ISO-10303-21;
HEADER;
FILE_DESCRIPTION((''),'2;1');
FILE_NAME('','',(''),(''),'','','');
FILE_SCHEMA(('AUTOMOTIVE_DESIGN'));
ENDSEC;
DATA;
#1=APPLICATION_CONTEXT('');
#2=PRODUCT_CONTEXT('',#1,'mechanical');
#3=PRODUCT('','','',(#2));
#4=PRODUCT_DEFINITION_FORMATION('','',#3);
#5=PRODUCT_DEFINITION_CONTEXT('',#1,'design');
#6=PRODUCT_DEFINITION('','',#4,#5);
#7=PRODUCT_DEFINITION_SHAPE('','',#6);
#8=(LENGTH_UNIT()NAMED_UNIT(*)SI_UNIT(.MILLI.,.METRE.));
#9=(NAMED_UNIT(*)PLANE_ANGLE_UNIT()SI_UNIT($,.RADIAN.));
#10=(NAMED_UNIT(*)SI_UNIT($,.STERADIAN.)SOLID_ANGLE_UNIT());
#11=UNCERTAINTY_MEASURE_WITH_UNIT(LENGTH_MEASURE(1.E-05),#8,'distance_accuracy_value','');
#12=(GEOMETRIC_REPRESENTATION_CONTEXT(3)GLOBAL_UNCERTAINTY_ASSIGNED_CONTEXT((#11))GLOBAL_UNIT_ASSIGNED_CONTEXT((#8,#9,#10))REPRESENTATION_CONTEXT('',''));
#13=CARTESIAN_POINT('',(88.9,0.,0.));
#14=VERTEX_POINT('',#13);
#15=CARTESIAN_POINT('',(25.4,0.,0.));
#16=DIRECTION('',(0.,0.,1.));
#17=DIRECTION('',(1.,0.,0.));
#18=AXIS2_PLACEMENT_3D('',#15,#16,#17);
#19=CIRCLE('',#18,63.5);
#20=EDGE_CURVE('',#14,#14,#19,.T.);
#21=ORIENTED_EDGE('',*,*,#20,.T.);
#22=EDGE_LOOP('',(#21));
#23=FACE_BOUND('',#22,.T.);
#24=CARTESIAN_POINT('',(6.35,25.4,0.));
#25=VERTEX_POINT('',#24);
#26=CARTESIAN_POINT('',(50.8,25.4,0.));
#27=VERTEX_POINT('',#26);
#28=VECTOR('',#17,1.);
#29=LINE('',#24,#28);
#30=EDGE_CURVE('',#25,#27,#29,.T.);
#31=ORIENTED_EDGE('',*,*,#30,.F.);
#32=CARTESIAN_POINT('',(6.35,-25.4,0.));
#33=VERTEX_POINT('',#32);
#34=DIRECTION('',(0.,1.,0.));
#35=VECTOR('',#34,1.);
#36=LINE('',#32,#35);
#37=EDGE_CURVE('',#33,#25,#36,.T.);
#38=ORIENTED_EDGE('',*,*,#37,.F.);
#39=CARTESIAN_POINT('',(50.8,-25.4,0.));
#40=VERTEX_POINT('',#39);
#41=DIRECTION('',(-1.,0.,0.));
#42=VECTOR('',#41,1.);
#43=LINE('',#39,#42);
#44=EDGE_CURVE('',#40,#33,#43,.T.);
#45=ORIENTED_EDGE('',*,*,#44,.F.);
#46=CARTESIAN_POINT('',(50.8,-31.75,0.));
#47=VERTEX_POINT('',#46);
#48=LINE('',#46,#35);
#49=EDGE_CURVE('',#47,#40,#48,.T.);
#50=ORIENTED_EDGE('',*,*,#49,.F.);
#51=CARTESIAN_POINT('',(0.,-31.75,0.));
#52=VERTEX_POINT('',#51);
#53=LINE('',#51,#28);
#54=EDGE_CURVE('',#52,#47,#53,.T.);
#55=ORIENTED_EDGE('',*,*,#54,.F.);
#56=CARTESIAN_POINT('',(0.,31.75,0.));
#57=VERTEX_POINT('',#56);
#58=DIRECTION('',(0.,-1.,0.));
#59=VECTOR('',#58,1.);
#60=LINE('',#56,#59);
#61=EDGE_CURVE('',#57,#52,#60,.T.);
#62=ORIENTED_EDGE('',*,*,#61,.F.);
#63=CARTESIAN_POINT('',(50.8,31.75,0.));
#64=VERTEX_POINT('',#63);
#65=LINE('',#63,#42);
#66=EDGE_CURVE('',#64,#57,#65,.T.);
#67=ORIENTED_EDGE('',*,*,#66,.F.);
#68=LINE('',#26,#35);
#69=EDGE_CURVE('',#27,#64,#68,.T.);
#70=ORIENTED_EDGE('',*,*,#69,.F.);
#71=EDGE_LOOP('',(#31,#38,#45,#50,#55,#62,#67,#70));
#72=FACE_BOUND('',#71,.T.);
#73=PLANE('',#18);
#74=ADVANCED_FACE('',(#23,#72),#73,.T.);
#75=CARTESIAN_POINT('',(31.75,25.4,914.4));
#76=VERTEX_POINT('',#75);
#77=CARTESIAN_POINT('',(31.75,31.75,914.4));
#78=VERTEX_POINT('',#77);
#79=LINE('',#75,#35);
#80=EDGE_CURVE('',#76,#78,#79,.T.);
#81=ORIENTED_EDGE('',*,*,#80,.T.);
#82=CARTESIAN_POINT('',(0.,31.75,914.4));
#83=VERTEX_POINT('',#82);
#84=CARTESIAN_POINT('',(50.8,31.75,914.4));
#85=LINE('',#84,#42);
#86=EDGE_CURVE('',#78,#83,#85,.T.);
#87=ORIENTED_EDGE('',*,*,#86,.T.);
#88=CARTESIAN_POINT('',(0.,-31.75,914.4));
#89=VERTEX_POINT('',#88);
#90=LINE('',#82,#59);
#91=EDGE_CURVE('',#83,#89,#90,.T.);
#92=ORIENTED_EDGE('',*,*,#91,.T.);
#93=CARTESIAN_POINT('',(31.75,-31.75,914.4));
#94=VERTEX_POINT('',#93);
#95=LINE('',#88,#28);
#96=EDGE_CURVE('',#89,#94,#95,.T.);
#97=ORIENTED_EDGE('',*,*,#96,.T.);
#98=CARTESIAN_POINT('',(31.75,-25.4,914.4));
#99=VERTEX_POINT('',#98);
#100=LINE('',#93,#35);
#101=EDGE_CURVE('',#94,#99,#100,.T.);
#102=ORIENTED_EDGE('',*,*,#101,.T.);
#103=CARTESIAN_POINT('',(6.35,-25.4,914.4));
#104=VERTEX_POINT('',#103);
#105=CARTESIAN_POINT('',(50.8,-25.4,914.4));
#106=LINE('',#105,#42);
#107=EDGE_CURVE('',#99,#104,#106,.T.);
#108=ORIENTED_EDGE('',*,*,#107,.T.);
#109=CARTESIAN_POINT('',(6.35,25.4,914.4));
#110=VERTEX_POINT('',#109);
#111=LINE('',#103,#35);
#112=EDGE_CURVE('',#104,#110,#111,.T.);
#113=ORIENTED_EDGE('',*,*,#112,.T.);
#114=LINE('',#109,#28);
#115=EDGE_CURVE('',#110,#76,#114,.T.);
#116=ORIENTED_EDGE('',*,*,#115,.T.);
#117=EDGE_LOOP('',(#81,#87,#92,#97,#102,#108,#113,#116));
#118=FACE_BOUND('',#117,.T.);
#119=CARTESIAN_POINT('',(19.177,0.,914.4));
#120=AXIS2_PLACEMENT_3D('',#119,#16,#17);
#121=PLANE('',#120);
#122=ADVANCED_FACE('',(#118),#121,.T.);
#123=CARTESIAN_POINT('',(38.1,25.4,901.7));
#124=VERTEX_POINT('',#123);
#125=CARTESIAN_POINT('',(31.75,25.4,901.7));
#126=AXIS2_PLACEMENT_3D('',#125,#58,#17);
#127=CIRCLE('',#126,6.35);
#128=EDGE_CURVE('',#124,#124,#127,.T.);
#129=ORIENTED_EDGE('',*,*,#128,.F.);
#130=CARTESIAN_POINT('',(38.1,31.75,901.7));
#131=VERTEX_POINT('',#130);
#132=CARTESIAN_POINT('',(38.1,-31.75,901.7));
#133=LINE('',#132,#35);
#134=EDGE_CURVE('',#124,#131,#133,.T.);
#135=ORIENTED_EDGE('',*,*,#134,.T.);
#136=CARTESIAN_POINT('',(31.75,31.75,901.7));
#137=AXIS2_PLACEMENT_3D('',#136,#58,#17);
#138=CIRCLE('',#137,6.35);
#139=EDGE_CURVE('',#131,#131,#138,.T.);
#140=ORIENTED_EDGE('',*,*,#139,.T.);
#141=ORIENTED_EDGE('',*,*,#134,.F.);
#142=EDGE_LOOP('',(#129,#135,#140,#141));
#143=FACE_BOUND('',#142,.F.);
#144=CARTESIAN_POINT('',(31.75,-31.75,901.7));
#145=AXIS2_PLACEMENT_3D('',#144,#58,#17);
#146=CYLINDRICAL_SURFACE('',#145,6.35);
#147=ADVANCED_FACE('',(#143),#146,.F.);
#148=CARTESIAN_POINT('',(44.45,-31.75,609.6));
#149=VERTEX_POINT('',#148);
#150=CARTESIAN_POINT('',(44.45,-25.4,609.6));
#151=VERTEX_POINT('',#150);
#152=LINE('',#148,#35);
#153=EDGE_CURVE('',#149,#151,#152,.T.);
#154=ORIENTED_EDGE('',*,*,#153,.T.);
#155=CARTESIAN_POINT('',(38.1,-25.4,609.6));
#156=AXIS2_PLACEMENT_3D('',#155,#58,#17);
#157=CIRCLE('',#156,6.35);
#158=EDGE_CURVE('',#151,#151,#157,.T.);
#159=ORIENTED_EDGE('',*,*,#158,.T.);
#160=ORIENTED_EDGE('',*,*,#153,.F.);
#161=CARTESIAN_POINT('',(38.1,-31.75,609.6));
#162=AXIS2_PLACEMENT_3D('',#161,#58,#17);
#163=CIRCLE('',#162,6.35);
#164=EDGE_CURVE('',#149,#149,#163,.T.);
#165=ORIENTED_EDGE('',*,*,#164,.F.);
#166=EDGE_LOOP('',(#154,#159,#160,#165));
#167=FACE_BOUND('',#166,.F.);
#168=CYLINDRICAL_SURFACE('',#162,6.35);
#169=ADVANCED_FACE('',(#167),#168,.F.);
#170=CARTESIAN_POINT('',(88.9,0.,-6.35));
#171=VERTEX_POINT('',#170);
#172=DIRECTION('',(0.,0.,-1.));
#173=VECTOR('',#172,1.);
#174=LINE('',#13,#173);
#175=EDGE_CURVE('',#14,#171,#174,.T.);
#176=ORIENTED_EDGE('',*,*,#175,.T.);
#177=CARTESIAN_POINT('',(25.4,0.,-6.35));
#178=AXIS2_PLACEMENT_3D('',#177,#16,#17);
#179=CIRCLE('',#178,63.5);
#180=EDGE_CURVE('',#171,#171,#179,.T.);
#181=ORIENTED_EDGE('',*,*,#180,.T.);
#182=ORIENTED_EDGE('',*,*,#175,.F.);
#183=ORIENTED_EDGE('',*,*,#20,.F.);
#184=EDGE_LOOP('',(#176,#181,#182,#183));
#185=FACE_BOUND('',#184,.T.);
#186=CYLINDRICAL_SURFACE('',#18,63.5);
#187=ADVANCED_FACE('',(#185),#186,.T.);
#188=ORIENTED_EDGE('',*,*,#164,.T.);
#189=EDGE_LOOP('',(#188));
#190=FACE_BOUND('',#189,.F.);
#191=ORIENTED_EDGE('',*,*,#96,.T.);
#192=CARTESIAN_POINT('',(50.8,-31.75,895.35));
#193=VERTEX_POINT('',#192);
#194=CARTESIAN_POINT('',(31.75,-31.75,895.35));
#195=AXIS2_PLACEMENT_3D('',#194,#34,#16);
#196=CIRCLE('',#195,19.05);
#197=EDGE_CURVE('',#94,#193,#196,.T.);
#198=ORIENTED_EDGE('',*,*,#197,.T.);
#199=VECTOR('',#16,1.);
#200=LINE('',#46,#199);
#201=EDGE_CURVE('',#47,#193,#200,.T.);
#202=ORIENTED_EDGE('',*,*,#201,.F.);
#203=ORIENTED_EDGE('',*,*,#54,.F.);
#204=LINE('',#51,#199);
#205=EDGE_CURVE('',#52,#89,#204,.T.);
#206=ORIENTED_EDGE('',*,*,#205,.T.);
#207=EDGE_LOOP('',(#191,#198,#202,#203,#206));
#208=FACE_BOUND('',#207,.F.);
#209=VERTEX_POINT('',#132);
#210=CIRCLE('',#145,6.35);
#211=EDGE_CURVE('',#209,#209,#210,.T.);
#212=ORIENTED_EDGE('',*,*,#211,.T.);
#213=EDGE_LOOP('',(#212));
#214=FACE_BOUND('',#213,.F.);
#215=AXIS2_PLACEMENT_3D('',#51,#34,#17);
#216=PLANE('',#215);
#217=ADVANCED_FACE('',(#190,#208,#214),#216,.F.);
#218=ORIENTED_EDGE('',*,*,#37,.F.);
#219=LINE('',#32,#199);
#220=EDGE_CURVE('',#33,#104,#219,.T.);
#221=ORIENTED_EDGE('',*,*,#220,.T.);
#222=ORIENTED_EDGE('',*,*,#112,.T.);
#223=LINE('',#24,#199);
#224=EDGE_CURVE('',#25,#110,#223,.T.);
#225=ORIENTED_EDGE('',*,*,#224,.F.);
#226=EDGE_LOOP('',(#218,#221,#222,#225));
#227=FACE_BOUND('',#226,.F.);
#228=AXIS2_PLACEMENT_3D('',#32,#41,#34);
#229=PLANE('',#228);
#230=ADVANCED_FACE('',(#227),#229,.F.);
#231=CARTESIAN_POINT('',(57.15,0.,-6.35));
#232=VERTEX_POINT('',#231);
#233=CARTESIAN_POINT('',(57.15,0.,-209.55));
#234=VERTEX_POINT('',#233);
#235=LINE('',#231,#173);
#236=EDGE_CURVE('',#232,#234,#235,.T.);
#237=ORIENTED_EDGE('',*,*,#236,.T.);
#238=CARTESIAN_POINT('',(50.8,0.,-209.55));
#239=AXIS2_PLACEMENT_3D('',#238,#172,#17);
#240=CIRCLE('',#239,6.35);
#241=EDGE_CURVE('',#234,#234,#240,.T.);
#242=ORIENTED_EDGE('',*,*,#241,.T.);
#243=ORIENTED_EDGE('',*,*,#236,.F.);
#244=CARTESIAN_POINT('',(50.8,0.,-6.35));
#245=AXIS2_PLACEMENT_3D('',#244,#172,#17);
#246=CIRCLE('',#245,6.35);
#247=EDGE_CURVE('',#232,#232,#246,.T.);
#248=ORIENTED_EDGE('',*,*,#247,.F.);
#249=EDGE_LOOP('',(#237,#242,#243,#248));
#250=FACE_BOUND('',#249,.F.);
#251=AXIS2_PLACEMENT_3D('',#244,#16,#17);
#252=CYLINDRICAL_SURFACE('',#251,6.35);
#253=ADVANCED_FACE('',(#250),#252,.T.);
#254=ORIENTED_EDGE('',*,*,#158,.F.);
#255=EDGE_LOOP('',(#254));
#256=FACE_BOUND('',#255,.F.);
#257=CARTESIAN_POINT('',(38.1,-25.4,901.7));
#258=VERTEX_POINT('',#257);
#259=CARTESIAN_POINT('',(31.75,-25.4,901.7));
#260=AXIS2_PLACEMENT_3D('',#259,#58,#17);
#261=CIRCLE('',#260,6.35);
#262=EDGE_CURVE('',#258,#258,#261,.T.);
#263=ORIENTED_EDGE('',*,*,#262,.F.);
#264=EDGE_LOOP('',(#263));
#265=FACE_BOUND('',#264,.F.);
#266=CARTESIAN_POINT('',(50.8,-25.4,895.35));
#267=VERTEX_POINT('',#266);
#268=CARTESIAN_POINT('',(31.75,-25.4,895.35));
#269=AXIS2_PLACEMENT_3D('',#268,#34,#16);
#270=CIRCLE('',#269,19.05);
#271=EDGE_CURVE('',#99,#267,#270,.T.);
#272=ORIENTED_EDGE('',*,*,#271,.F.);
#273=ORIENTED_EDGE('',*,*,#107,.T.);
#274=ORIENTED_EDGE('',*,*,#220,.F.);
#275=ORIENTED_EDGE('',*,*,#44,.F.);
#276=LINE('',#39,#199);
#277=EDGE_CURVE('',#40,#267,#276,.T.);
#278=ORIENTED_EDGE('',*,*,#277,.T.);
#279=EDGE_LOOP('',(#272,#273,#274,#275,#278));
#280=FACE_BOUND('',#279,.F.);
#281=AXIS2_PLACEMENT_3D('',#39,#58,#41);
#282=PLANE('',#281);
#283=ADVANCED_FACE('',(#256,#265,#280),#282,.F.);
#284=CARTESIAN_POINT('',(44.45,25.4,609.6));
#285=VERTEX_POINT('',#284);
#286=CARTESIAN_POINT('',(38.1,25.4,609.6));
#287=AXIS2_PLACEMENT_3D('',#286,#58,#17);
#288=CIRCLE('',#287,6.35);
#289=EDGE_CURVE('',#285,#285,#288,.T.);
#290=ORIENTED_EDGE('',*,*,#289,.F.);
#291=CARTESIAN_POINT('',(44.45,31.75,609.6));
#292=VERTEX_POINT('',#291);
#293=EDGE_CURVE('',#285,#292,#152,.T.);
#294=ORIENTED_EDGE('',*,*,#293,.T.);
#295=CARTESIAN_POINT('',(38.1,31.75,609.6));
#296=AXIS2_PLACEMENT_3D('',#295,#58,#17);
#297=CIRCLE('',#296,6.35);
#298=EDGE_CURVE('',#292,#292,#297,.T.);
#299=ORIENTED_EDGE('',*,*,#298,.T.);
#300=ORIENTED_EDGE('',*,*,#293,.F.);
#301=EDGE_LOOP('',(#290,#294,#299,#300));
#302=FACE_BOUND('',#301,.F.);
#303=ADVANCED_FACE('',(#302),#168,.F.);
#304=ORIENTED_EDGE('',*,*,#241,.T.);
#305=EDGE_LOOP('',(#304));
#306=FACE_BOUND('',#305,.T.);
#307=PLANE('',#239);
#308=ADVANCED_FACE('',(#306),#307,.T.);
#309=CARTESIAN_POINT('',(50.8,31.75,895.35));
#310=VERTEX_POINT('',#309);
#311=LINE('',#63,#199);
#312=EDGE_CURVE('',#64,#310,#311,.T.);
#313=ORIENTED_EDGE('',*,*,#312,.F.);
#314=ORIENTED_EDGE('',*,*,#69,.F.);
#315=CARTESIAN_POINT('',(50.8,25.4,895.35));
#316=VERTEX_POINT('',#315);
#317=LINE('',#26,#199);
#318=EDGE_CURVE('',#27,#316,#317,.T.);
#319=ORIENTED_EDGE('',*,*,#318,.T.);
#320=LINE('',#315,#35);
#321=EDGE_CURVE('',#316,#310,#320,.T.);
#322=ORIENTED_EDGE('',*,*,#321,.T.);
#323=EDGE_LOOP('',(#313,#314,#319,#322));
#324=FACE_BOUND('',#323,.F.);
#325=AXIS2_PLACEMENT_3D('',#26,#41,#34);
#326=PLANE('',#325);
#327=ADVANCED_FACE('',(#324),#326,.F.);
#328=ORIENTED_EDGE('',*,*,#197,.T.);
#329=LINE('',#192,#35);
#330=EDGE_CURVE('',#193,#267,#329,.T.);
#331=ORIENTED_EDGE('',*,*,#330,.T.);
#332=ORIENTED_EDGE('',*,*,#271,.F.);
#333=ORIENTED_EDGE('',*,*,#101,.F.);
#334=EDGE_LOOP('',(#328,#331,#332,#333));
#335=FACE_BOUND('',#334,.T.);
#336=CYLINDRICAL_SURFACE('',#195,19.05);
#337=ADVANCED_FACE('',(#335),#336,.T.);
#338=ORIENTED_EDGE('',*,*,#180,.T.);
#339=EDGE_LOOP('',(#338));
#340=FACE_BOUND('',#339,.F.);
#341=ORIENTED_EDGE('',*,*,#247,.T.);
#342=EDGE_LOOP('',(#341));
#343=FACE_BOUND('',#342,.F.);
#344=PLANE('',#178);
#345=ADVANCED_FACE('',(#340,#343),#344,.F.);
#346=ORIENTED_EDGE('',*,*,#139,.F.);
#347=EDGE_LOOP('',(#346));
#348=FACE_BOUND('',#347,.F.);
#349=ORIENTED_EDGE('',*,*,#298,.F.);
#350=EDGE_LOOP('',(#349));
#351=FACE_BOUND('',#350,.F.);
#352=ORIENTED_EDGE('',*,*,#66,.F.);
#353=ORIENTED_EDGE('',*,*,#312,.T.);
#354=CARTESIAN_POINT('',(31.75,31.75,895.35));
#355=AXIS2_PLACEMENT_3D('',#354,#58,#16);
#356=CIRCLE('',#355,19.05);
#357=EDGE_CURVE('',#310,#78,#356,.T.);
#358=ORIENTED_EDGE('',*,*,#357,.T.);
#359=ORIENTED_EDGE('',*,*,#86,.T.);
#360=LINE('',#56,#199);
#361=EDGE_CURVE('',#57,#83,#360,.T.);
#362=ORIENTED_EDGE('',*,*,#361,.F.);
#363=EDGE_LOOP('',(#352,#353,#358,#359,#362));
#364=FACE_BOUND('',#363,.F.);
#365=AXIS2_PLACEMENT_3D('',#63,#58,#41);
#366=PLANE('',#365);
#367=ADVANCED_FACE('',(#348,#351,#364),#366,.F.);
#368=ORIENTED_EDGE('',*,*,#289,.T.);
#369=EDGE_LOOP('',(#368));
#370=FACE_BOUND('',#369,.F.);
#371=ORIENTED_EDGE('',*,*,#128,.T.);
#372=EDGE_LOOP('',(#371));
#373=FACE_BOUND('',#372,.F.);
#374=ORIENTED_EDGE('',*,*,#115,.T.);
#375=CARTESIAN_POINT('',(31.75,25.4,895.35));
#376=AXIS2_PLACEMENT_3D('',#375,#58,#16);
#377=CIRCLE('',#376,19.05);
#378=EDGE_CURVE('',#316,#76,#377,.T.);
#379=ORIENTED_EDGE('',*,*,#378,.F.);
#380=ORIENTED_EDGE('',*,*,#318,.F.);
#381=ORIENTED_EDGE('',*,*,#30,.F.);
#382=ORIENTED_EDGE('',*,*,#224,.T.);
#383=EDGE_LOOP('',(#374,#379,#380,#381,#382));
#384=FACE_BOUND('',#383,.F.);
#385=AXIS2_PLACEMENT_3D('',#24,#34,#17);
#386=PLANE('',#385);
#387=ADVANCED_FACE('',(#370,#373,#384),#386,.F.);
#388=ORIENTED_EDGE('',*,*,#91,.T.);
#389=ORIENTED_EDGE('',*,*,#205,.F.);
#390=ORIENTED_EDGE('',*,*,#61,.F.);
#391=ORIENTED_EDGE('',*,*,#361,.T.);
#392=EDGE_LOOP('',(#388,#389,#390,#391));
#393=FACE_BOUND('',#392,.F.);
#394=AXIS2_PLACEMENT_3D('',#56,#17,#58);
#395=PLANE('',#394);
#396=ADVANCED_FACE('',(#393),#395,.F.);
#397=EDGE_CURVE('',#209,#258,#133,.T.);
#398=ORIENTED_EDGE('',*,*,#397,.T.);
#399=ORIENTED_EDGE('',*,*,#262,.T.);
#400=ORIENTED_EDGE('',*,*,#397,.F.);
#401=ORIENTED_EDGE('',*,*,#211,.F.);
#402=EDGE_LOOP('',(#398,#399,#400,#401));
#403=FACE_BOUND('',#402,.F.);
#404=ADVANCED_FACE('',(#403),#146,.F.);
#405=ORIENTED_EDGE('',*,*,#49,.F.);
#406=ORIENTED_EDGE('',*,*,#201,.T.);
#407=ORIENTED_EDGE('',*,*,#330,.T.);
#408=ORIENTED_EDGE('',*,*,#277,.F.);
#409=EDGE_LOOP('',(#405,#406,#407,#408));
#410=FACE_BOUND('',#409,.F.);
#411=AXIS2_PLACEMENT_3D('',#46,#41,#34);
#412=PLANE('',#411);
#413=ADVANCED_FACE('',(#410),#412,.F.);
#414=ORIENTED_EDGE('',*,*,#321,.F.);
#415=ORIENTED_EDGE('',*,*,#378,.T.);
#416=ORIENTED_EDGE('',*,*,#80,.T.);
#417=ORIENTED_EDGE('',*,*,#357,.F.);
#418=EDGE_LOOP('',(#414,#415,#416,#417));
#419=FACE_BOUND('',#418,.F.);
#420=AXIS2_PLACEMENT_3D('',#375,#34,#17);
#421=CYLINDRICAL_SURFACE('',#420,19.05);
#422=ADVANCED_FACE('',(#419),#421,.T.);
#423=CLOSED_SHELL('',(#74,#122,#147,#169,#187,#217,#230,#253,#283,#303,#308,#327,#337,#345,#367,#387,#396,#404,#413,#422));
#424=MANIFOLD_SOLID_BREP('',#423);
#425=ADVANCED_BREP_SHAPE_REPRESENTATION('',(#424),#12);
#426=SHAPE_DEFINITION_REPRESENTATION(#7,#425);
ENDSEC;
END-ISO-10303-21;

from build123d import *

# Parameters (mm, degrees)
F1_DEPTH = 914.4
F2_R     = 6.35
F3_DEPTH = 63.501
F4_R     = 19.05
F5_R     = 63.5
F6_DEPTH = 6.35
F7_R     = 6.35
F8_DEPTH = 203.2


with BuildPart() as f1:
    # F0 (on Top) → F1 (new body)
    with BuildSketch(Plane.XY):
        Polygon((50.8, 31.75), (0, 31.75), (0, -31.75), (50.8, -31.75), (50.8, -25.4), (6.35, -25.4), (6.35, 25.4), (50.8, 25.4), align=None)
    extrude(amount=F1_DEPTH)

    # F2 (on face) → F3 (cut, through all)
    with BuildSketch(Plane.XZ.offset(31.75)):
        with Locations((31.75, 901.7)):
            Circle(F2_R)
        with Locations((38.1, 609.6)):
            Circle(F2_R)
    extrude(amount=-F3_DEPTH, mode=Mode.SUBTRACT)

    # F4
    f4_edges = [f1.edges().sort_by_distance(p)[0] for p in [
        (50.8, -28.575, 914.4),
        (50.8, 28.575, 914.4),
    ]]
    fillet(f4_edges, radius=F4_R)

    # F5 (on Top) → F6 (join)
    with BuildSketch(Plane.XY):
        with Locations((25.4, 0)):
            Circle(F5_R)
    extrude(amount=-F6_DEPTH)

    # F7 (on face) → F8 (join)
    with BuildSketch(Plane(origin=(0, 0, -6.35), x_dir=(1, 0, 0), z_dir=(0, 0, -1))):
        with Locations((50.8, 0)):
            Circle(F7_R)
    extrude(amount=F8_DEPTH)


solid = f1.part
